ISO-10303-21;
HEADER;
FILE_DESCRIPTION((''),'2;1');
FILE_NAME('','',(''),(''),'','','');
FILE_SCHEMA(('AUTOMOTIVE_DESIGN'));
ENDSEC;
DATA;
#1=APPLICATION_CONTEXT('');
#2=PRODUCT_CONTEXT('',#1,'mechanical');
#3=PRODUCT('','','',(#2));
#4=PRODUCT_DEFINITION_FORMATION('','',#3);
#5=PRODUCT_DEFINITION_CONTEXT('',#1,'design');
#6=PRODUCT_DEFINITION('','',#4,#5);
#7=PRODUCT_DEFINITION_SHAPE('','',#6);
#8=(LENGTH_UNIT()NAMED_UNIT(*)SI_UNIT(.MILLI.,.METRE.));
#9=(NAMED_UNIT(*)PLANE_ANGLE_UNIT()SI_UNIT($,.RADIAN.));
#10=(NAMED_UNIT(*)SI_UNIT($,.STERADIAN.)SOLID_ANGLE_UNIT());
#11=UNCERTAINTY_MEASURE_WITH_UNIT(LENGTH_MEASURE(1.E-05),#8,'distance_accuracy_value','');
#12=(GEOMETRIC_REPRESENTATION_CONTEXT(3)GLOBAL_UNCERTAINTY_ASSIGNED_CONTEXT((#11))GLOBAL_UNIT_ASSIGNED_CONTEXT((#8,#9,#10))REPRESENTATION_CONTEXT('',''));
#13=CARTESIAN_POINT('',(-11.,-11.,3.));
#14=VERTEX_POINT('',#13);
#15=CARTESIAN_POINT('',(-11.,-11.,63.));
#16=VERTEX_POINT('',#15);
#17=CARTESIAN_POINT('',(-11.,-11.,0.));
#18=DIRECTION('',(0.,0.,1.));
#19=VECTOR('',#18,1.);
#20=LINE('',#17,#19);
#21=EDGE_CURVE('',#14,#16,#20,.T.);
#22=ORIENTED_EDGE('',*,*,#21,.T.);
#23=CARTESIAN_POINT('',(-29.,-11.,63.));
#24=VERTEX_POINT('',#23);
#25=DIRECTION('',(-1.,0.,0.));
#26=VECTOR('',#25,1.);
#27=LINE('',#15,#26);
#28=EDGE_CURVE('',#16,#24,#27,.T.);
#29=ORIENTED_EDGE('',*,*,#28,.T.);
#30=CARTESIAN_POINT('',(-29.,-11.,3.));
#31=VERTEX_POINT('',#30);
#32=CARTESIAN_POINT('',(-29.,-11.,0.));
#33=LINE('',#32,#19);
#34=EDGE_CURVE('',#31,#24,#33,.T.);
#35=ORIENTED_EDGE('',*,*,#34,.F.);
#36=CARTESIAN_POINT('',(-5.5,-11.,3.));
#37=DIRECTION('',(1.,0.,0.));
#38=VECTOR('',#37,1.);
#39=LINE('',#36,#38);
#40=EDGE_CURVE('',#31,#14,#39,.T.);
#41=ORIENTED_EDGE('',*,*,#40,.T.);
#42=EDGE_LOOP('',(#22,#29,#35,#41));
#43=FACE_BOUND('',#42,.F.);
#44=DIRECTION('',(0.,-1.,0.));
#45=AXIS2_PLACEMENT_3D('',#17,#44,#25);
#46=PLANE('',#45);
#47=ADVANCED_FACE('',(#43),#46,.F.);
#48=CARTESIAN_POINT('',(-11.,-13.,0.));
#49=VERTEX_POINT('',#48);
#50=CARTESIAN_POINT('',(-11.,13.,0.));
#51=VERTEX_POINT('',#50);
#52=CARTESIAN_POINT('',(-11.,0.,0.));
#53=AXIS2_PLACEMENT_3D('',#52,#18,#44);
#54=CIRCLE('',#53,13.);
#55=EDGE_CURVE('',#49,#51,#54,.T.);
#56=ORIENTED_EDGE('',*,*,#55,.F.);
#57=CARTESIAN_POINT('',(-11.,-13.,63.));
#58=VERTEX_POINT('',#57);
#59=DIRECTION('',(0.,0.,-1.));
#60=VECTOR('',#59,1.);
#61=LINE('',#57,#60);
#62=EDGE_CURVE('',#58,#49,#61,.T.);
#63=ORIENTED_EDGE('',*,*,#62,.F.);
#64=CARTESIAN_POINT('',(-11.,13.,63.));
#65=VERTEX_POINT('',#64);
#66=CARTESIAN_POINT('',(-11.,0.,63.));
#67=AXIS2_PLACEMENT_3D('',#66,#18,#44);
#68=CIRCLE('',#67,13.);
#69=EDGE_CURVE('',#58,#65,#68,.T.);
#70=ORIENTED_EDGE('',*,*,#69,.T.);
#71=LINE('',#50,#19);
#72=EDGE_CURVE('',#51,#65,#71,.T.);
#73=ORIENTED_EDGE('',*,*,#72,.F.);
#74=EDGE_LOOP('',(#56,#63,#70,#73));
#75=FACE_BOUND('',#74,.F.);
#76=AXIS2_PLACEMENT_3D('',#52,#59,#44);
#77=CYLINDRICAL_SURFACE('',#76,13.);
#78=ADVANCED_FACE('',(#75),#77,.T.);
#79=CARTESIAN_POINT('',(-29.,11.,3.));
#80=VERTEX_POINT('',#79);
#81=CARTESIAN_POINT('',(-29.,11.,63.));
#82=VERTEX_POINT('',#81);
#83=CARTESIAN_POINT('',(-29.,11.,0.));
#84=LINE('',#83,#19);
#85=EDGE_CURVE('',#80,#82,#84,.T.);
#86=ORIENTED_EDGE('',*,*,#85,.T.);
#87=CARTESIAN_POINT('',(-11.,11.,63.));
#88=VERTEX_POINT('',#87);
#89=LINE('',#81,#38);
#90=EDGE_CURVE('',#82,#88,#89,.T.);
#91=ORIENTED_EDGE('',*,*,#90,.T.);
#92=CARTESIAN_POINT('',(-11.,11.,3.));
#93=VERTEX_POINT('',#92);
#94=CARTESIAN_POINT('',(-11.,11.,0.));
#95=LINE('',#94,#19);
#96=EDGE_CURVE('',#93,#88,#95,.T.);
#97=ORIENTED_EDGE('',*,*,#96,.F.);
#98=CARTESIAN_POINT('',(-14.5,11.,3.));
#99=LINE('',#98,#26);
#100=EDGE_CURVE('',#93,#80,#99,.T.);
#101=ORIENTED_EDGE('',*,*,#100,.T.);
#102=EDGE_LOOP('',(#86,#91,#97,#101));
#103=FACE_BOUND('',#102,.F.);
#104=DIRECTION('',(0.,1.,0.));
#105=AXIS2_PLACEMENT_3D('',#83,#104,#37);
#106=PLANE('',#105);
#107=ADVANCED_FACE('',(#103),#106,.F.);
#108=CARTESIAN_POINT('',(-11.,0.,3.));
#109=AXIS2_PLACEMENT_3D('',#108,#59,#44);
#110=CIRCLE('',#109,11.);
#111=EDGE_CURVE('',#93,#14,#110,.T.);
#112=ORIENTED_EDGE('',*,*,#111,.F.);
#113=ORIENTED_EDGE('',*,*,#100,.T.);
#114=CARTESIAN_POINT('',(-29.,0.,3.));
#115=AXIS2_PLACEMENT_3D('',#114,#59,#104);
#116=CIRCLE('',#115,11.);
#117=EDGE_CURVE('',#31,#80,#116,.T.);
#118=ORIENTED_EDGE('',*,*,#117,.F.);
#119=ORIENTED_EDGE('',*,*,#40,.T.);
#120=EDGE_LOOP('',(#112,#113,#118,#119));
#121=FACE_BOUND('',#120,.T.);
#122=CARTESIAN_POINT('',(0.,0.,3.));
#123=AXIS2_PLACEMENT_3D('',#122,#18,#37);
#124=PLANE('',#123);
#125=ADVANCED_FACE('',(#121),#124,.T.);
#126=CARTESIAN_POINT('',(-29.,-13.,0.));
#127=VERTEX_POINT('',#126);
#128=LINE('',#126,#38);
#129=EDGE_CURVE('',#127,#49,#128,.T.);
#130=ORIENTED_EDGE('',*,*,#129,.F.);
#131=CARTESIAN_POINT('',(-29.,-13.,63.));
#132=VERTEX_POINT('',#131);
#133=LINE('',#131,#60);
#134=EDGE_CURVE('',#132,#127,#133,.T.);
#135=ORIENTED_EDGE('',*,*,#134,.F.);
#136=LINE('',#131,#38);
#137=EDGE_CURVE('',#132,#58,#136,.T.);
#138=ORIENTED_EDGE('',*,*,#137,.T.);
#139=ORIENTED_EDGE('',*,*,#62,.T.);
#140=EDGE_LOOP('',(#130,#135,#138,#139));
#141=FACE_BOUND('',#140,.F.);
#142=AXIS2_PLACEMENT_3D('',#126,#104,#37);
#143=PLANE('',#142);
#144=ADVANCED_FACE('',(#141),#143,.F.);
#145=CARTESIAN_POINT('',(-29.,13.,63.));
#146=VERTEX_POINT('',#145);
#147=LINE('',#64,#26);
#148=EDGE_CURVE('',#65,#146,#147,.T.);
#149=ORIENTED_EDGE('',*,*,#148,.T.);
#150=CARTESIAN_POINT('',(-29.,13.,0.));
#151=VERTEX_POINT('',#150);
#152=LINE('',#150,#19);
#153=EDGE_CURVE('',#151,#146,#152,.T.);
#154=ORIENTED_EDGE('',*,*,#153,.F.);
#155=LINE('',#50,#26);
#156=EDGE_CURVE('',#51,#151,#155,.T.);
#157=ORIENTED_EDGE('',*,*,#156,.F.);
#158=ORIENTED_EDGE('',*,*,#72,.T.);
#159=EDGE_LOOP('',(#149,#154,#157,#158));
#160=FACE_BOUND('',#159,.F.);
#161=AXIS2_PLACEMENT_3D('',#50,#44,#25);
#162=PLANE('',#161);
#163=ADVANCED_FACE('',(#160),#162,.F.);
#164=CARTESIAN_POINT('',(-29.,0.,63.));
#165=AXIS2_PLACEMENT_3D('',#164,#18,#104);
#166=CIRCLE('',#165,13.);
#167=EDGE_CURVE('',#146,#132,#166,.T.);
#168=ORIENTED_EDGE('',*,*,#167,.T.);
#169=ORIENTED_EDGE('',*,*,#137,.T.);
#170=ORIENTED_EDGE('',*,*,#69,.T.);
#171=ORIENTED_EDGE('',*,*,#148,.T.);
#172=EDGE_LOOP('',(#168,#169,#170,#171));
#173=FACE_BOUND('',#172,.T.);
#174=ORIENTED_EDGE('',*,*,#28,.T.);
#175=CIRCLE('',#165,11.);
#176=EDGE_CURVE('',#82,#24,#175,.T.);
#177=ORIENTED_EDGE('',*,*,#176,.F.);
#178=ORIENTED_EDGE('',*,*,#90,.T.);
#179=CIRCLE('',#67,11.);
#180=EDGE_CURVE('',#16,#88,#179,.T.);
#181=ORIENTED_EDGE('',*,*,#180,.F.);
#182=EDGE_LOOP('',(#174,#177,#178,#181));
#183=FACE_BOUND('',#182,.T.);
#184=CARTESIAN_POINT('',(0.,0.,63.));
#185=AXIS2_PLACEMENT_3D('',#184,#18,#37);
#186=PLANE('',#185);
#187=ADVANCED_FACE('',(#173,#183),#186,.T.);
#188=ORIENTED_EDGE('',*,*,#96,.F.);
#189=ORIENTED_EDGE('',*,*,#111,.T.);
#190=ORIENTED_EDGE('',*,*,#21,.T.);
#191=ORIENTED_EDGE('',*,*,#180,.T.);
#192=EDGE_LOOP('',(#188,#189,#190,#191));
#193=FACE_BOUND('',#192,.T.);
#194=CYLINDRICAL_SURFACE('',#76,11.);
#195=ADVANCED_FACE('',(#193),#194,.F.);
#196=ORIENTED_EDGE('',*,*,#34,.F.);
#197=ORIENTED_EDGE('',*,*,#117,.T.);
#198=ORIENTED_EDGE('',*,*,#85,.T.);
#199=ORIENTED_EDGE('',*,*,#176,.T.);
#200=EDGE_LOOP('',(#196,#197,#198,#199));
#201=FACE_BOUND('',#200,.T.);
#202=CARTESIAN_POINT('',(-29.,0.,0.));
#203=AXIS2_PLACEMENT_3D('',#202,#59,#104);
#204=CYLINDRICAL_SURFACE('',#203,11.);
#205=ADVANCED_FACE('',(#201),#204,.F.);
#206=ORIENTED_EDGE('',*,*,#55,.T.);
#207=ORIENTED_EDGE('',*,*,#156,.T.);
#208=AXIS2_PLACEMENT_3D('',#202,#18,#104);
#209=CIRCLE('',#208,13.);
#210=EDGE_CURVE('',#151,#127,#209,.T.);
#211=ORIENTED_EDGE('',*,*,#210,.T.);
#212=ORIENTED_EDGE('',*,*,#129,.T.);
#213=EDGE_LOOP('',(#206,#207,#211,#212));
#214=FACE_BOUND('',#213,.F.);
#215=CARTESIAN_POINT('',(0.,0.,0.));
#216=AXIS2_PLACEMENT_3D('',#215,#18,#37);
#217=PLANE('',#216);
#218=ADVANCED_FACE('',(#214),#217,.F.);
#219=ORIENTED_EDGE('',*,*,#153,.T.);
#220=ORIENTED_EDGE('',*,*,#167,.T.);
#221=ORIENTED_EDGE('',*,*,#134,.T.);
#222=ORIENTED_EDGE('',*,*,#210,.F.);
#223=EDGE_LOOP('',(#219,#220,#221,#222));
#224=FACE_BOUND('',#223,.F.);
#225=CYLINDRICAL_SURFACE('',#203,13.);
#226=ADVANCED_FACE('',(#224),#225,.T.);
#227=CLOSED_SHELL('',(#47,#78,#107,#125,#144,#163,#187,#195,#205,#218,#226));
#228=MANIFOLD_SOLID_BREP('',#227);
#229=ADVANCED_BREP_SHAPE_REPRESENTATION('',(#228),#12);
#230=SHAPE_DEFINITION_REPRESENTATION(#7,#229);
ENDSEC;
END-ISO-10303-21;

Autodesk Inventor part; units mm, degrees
ref_plane "YZ Plane" through (0, 0, 0) normal (1, 0, 0) x (0, 1, 0)
ref_plane "XZ Plane" through (0, 0, 0) normal (0, 1, 0) x (-1, 0, 0)
ref_plane "XY Plane" through (0, 0, 0) normal (0, 0, 1) x (1, 0, 0)
sketch "Sketch1" plane through (0, 0, 0) normal (0, 0, 1) x (1, 0, 0)
  line L0 (-40, 0) -> (0, 0) construction
  line L1 (-29, 11) -> (-11, 11)
  line L2 (-11, -11) -> (-29, -11)
  arc A0 (-29, 11) -> (-29, -11) centre (-29, 0) ccw
  arc A1 (-11, -11) -> (-11, 11) centre (-11, 0) ccw
  line L3 (-11, 13) -> (-29, 13)
  arc A2 (-29, 13) -> (-29, -13) centre (-29, 0) ccw
  line L4 (-29, -13) -> (-11, -13)
  arc A3 (-11, -13) -> (-11, 13) centre (-11, 0) ccw
  point P0 (-20, 0)
  dimension "d2" = 22
  dimension "d4" = 40
  dimension "d5" = 2
extrude "Extrusion1" add sketch "Sketch1" along normal blind 3 contours L1 A1 L2 A0 | A3 L4 A2 L3
extrude "Extrusion2" add sketch "Sketch1" along normal blind 63
properties part number "round"
